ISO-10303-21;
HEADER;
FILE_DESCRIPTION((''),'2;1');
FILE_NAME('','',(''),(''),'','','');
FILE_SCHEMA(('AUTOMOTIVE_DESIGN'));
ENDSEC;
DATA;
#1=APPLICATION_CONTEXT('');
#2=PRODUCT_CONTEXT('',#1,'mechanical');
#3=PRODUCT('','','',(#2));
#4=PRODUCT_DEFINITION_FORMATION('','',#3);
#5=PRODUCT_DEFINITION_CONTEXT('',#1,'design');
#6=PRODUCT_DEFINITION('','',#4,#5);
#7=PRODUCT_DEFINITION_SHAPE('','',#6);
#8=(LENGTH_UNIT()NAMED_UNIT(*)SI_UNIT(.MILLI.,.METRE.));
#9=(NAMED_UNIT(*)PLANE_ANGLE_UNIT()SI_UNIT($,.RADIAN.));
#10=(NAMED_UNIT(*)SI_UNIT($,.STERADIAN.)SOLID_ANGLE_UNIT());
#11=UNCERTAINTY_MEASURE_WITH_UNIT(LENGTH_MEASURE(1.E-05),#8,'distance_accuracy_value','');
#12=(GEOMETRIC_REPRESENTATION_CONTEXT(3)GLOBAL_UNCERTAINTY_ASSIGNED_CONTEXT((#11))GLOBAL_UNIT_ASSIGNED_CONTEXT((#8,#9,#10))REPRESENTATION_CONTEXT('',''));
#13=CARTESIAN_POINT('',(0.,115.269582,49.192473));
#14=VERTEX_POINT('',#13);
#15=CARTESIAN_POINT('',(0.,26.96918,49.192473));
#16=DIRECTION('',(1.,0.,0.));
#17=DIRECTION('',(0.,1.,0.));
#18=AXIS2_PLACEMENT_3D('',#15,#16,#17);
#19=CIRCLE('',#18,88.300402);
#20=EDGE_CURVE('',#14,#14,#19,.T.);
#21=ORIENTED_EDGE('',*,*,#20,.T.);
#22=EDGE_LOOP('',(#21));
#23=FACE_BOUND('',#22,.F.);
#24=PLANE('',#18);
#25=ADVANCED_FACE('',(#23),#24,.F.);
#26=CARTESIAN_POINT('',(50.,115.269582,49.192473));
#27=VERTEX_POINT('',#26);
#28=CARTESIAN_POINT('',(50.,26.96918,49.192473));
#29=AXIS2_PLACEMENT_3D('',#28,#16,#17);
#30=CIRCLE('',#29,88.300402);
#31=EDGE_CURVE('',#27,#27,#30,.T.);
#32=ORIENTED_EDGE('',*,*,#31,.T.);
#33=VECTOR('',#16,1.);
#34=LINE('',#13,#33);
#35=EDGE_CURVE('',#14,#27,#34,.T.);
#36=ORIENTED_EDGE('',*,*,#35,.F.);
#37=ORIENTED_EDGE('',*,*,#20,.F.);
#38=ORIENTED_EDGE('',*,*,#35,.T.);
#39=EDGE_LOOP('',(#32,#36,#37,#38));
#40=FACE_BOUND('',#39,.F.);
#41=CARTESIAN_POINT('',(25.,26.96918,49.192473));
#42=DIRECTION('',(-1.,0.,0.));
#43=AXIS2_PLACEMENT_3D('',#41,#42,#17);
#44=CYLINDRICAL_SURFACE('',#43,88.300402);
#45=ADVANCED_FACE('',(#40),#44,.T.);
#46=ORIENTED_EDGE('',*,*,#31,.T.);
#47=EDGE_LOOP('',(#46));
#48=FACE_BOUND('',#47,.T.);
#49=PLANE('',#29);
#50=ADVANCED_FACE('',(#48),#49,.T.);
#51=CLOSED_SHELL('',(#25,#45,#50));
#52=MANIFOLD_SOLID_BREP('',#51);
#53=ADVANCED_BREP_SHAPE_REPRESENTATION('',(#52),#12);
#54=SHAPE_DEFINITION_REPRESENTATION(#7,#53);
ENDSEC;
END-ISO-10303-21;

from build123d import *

# Parameters (mm, degrees)
F0_R      = 88.300402
F1_DEPTH  = 25
F1_FACE_R = 88.300402
F2_DEPTH  = 25


with BuildPart() as f1:
    # F0 (on Right) → F1 (new body)
    with BuildSketch(Plane.YZ):
        with Locations((26.96918, 49.192473)):
            Circle(F0_R)
    extrude(amount=F1_DEPTH)

    # F1_face (on face) → F2 (join)
    with BuildSketch(Plane(origin=(25, 26.96918, 49.192473), x_dir=(0, 1, 0), z_dir=(1, 0, 0))):
        Circle(F1_FACE_R)
    extrude(amount=F2_DEPTH)


solid = f1.part
